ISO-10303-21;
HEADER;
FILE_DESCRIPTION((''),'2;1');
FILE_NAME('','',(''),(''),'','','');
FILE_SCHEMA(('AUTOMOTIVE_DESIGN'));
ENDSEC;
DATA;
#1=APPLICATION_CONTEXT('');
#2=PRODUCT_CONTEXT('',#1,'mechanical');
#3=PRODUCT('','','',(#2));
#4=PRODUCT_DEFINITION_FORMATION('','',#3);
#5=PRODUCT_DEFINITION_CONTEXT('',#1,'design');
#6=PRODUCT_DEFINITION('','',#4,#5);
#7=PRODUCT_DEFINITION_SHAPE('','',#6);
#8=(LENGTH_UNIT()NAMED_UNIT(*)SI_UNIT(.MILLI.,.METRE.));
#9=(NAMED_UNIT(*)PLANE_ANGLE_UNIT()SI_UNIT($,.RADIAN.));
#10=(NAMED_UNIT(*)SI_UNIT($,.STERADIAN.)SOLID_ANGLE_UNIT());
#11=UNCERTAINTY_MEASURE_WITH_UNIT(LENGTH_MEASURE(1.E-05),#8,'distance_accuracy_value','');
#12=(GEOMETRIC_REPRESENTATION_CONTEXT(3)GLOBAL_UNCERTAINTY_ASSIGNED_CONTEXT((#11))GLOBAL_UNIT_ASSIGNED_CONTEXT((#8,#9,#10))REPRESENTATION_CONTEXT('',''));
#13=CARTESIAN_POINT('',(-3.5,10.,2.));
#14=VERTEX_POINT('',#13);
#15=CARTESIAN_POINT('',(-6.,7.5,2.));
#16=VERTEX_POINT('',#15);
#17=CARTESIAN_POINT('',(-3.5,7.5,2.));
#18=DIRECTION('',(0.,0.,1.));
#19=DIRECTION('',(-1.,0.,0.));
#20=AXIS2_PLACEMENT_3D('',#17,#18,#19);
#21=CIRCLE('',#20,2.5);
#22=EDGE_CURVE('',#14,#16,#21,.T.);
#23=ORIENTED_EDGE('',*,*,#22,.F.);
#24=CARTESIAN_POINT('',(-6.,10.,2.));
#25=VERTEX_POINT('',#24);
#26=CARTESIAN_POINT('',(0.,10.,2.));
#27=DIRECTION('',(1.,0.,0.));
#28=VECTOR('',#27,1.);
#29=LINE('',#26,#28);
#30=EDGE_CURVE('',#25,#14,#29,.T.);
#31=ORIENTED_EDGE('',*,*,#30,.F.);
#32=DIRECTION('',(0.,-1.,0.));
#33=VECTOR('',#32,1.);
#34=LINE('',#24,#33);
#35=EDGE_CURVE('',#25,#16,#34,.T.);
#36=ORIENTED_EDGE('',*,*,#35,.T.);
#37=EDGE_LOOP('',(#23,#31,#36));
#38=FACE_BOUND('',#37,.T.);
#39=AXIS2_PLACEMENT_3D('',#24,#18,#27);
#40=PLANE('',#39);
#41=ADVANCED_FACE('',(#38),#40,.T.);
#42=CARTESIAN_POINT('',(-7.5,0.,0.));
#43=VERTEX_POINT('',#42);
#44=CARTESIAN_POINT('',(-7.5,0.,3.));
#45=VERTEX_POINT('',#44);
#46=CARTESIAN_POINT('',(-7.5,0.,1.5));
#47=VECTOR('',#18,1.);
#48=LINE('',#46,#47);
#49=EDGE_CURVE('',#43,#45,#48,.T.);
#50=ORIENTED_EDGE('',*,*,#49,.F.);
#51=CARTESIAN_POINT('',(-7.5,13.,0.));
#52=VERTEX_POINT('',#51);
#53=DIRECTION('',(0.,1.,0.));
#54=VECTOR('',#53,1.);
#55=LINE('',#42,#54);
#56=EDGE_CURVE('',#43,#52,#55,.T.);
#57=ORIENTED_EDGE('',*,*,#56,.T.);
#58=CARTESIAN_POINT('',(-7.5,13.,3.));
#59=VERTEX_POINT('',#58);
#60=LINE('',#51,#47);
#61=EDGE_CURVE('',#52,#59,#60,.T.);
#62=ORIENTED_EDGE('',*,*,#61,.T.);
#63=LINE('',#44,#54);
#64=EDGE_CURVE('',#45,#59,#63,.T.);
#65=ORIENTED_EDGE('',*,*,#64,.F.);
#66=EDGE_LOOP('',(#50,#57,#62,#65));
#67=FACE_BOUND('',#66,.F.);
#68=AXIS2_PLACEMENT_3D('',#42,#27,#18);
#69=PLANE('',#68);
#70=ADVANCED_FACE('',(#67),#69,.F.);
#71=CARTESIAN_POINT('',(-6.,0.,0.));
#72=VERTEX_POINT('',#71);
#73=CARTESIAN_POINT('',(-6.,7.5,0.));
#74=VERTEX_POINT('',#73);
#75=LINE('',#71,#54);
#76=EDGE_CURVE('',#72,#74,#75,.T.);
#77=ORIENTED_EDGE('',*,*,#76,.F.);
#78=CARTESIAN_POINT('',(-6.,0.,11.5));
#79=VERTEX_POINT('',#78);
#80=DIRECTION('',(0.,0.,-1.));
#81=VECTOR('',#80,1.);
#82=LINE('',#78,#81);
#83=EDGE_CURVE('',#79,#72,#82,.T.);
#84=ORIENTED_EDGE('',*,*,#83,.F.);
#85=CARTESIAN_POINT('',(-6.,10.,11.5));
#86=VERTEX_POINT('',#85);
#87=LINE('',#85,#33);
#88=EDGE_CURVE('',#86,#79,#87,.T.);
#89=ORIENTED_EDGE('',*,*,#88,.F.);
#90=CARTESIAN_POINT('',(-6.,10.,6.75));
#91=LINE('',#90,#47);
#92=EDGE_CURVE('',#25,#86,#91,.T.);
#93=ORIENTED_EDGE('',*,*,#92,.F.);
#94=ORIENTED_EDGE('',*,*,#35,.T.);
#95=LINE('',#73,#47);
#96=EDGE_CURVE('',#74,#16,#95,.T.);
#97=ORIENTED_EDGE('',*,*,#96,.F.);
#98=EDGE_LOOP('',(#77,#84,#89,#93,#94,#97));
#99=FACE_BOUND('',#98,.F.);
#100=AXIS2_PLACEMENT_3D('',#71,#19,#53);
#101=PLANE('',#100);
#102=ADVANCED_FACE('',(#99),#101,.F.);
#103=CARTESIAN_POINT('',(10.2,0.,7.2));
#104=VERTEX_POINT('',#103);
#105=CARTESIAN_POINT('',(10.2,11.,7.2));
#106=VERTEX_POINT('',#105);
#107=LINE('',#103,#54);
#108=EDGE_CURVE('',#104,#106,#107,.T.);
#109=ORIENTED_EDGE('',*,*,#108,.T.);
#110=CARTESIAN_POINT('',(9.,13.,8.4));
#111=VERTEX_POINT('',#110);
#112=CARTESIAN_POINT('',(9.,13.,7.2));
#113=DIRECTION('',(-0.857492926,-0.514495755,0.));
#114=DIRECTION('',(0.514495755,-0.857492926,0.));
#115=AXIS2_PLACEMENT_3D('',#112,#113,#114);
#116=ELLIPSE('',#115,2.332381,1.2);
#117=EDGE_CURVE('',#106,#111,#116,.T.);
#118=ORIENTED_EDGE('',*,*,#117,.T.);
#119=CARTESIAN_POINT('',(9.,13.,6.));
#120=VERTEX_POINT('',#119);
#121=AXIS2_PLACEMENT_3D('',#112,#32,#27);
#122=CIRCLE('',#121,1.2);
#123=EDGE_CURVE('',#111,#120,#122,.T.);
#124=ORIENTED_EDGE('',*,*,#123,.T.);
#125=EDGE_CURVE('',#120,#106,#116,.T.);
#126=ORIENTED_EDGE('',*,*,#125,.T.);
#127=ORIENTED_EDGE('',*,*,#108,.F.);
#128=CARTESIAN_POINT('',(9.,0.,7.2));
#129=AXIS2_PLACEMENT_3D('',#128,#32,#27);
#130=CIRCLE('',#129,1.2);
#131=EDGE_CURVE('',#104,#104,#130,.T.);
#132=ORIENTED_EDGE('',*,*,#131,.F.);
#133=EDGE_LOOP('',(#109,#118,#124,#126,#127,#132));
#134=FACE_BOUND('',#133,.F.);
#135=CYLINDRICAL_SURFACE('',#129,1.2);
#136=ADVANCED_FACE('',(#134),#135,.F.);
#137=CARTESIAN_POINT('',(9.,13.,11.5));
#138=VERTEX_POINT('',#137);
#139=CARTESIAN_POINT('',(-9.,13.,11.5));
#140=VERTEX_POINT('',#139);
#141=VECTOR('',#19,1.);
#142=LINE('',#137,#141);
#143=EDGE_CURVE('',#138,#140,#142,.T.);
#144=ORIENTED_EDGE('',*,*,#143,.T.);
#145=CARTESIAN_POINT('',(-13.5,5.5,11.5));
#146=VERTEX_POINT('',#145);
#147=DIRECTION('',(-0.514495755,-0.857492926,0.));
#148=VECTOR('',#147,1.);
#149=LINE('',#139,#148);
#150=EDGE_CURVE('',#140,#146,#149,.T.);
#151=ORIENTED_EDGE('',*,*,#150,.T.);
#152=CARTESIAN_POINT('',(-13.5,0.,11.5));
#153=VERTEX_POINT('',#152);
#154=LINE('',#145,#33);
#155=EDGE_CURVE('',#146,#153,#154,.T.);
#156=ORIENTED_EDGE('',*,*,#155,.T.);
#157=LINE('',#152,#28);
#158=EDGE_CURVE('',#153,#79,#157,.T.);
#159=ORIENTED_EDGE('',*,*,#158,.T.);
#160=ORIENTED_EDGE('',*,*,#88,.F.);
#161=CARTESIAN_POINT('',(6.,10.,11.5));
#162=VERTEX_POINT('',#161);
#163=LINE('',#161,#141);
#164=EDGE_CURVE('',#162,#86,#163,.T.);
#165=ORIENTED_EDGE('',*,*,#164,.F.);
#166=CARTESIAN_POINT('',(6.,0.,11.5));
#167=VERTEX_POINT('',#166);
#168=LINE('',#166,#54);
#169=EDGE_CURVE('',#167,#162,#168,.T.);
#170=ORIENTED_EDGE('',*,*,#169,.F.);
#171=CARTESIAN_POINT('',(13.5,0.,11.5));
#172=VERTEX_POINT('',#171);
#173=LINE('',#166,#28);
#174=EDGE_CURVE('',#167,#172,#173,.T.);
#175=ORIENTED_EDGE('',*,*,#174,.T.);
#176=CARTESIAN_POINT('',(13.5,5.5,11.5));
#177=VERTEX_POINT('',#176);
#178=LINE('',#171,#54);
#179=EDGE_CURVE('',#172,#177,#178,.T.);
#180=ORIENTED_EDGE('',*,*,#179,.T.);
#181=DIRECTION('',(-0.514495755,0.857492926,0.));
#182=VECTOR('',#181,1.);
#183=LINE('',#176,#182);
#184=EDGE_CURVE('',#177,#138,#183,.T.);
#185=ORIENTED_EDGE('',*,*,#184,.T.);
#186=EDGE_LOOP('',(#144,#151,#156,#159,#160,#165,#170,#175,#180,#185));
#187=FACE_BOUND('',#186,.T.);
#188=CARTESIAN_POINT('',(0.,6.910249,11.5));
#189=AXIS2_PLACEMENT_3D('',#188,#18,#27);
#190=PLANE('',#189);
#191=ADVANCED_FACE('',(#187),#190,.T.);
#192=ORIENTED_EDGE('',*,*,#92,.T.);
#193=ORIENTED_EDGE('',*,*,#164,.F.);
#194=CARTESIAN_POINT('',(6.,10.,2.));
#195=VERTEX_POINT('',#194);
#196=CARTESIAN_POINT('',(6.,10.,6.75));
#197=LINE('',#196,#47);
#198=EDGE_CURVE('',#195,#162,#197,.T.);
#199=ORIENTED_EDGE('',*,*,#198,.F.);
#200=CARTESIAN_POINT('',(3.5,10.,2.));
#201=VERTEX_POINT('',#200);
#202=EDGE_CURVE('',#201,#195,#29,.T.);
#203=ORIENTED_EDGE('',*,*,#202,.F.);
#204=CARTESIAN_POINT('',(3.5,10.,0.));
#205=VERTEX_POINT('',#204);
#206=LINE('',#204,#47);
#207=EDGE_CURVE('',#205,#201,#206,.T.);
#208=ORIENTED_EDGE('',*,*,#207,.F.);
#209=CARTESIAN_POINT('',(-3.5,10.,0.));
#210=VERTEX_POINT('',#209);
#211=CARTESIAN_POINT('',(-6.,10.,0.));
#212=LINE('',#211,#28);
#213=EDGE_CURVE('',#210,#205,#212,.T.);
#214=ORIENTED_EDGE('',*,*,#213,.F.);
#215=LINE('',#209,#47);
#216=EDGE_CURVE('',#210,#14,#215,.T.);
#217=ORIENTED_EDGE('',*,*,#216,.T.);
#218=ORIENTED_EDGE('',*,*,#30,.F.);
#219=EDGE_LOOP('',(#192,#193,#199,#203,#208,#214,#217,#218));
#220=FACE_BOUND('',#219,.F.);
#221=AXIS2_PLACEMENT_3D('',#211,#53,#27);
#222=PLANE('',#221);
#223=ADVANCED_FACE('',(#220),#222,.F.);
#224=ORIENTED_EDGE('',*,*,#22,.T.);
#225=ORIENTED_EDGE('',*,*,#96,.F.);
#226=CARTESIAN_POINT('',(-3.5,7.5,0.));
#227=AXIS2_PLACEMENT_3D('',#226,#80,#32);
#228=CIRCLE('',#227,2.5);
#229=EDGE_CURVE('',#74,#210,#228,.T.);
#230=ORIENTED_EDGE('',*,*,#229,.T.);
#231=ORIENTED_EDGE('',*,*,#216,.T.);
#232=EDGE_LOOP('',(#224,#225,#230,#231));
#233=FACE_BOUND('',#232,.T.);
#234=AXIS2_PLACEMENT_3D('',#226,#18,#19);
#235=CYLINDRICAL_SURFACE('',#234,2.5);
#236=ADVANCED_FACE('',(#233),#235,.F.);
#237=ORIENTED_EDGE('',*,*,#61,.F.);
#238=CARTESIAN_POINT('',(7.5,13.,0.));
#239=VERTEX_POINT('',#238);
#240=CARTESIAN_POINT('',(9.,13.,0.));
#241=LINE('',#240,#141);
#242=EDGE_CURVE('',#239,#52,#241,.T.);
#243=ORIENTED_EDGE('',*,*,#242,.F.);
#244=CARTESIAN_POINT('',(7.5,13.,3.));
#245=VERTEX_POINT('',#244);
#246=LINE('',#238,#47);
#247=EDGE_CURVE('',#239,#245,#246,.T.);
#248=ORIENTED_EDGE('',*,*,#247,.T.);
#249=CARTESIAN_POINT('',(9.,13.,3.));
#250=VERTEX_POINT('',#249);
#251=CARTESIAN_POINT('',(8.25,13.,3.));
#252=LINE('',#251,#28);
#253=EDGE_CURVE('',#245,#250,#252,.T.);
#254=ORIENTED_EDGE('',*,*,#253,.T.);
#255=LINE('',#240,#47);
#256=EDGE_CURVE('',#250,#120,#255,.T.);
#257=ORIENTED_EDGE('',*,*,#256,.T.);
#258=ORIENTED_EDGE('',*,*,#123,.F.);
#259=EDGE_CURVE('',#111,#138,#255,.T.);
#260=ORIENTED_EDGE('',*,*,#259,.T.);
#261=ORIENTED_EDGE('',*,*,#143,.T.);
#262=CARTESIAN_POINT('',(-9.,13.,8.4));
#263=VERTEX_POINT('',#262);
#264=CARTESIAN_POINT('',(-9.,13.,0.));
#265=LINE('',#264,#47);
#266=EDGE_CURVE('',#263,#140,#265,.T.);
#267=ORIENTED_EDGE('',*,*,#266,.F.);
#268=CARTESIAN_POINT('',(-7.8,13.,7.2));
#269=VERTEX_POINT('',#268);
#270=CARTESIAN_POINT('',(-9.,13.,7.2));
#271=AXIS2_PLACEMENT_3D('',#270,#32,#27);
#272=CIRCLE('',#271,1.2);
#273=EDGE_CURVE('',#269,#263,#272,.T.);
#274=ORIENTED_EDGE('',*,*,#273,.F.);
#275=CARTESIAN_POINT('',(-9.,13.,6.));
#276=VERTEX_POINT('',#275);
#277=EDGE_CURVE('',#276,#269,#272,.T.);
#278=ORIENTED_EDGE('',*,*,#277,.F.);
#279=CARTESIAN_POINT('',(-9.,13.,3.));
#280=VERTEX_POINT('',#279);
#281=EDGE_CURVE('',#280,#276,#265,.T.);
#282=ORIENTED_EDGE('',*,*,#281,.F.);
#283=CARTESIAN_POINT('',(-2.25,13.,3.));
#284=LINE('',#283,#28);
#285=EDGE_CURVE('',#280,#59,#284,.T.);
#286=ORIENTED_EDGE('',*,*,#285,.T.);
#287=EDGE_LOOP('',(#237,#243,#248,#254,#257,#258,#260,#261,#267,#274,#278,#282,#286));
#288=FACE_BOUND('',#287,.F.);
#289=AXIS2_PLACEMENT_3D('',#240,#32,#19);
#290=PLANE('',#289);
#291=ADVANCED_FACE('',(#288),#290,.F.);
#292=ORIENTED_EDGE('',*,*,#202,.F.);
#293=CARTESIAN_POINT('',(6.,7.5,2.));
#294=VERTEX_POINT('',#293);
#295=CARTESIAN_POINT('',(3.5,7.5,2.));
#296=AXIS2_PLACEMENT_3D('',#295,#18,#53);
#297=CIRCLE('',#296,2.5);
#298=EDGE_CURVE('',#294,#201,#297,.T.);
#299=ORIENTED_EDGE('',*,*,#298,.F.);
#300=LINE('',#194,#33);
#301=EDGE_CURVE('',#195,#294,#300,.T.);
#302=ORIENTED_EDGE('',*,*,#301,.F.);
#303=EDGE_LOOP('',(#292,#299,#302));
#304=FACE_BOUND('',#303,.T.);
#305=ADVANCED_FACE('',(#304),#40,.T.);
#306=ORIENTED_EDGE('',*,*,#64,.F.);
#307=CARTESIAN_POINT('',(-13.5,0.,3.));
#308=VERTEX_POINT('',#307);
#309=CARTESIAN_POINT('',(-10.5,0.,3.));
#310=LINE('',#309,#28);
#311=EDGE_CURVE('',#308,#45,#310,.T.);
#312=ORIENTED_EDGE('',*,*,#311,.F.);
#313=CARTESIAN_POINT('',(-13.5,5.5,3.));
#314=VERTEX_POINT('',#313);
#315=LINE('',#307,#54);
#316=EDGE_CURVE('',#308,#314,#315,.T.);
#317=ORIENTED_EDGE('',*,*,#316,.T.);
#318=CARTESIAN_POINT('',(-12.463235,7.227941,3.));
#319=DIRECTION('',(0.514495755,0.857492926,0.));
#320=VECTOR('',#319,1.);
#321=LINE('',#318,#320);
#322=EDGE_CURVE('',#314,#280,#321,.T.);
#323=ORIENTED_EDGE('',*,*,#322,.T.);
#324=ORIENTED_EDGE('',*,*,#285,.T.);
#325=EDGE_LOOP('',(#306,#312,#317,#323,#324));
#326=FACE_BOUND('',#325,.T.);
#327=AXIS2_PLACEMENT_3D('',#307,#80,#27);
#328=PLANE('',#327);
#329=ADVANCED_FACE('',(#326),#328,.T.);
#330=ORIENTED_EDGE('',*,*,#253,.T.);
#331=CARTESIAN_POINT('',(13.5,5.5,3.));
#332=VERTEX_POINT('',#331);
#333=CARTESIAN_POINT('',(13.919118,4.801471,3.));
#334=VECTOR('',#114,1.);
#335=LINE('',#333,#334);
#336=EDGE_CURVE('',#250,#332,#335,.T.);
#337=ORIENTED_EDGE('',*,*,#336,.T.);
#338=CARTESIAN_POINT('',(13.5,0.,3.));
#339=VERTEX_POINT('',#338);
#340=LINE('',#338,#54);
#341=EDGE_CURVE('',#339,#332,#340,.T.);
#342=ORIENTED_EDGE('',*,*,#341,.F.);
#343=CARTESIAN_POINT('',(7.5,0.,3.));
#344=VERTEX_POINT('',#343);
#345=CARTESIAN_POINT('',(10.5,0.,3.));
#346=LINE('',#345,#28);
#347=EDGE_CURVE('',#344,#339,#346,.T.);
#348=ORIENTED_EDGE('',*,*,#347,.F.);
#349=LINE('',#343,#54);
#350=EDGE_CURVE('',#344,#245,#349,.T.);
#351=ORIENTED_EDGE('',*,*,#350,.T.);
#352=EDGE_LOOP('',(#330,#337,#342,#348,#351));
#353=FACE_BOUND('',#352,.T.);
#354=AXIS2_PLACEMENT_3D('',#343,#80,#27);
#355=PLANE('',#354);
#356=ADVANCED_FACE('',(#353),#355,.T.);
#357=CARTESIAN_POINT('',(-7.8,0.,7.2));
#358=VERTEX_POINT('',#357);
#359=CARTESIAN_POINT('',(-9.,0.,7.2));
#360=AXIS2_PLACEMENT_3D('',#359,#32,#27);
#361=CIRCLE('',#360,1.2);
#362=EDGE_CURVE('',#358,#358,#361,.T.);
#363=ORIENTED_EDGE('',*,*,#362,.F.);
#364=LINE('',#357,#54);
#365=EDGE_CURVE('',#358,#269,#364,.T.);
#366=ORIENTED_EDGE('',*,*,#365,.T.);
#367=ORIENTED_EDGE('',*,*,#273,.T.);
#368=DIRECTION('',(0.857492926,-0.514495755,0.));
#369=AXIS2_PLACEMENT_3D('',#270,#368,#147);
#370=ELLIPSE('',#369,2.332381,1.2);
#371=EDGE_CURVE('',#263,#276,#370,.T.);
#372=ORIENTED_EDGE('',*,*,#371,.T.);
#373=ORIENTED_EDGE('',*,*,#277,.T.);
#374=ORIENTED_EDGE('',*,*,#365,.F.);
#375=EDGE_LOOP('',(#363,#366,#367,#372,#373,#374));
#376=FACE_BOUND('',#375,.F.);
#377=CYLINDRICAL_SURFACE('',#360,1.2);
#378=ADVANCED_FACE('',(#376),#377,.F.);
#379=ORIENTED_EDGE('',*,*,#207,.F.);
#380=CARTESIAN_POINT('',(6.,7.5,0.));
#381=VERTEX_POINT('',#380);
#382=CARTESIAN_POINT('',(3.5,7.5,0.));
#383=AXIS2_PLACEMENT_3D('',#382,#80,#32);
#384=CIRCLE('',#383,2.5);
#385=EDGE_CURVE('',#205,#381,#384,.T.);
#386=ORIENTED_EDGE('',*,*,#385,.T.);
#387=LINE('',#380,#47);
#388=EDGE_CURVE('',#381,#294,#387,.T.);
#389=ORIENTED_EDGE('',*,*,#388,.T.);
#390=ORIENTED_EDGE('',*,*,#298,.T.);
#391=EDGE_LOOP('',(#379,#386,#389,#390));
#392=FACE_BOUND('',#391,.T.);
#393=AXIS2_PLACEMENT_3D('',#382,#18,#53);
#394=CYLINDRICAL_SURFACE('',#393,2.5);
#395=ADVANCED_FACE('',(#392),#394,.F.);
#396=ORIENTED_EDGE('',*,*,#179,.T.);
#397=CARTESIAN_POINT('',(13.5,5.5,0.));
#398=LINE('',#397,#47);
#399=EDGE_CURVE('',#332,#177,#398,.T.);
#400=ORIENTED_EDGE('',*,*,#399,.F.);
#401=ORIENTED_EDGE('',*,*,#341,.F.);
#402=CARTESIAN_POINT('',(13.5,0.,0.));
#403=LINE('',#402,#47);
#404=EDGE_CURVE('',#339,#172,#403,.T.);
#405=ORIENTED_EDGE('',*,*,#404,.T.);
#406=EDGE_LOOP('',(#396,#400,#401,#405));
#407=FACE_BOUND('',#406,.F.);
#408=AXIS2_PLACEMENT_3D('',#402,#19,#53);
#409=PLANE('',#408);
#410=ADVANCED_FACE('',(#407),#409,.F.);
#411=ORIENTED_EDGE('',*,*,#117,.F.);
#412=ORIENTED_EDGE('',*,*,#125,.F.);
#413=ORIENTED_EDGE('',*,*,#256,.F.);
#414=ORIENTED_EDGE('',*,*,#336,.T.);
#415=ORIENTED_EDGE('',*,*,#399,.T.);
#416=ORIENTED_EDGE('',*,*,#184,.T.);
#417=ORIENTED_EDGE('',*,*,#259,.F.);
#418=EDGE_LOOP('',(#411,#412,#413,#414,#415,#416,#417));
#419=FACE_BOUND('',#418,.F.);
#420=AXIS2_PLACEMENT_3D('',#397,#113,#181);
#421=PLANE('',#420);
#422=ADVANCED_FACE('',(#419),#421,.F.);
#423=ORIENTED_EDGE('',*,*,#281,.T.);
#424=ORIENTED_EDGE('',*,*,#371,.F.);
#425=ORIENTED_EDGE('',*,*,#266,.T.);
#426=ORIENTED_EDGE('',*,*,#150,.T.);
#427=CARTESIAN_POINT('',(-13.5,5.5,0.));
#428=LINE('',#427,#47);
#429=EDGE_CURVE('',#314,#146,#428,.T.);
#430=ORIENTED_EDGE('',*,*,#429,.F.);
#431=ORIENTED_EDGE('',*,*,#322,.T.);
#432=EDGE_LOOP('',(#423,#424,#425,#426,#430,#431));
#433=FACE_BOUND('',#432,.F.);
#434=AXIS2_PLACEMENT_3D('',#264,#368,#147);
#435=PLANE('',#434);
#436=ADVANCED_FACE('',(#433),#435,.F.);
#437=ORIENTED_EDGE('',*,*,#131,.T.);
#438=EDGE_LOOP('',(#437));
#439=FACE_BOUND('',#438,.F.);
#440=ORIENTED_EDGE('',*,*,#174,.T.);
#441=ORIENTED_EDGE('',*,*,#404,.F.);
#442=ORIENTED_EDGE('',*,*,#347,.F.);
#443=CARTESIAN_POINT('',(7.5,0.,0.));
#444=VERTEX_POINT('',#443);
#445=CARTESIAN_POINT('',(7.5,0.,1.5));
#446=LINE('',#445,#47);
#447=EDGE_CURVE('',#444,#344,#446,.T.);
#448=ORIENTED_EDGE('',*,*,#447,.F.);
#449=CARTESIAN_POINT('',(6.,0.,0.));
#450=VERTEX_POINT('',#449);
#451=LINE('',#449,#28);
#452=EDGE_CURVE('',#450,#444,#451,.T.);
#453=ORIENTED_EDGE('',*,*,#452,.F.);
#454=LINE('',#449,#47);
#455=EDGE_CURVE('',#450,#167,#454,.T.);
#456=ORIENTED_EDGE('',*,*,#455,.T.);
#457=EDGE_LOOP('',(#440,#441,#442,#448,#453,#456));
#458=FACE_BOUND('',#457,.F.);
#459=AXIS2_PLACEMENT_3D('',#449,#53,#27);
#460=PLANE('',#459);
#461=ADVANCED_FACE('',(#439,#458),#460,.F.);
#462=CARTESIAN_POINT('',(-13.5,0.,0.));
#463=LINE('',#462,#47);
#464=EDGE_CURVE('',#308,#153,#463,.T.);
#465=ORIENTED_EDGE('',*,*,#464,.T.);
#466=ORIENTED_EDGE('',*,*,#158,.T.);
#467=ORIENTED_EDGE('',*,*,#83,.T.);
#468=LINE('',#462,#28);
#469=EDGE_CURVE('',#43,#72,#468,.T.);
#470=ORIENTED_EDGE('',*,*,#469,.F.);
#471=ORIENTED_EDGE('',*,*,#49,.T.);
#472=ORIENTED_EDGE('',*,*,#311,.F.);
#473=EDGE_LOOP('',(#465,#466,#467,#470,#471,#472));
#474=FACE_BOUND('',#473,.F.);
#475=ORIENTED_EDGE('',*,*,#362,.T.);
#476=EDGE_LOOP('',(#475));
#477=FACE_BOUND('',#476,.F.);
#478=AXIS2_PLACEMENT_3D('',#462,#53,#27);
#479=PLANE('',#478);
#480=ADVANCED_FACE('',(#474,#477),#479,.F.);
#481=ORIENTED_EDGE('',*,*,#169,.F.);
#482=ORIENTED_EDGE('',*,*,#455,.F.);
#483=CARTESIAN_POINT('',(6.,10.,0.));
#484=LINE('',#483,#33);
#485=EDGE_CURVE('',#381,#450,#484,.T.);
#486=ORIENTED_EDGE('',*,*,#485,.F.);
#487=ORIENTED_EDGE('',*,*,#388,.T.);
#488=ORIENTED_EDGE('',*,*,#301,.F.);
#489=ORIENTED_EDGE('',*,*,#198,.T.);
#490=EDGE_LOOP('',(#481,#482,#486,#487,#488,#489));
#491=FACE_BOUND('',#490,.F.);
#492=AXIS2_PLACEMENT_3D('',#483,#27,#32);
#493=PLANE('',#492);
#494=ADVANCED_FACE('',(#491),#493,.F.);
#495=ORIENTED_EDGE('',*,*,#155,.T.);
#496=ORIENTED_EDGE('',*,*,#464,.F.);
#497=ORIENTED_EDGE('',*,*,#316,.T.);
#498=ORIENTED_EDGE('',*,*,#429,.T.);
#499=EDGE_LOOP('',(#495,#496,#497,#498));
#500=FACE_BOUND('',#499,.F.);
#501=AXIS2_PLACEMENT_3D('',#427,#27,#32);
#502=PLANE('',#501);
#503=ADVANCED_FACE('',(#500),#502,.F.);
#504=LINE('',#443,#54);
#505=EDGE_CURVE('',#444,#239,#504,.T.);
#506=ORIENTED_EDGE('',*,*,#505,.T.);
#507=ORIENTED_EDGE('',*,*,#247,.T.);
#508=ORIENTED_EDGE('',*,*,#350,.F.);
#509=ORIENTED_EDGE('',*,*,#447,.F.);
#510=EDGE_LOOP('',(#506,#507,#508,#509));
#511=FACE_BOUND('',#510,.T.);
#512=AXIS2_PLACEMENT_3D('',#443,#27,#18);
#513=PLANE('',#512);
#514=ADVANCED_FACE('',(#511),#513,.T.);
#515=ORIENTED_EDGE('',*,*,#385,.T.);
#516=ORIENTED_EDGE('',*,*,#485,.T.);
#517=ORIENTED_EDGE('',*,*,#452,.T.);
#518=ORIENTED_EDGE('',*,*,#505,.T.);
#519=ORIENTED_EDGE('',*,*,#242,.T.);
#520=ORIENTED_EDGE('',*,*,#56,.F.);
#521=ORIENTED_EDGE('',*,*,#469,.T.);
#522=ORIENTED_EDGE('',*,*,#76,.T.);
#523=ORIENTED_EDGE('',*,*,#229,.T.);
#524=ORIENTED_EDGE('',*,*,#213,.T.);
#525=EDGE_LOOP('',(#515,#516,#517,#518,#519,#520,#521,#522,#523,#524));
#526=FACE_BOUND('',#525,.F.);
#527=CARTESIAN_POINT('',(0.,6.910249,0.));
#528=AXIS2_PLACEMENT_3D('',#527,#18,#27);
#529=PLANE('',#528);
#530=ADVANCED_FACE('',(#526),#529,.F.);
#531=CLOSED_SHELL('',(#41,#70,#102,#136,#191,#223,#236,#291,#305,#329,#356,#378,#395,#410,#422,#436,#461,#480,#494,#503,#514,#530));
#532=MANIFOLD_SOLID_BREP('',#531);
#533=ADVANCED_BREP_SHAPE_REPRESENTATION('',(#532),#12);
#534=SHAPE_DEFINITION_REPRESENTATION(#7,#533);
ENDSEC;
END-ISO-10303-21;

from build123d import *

# Parameters (mm, degrees)
F1_DEPTH = 11.5
F2_R     = 1.2
F3_DEPTH = 25
F4_R     = 2.5
F5_W     = 12
F5_H     = 9.5
F6_DEPTH = 10.001
F7_W     = 6
F7_H     = 3
F8_DEPTH = 13.001


with BuildPart() as f1:
    # F0 (on Top) → F1 (new body)
    with BuildSketch(Plane.XY):
        Polygon((-13.5, 5.5), (-13.5, 0), (-6, 0), (-6, 10), (6, 10), (6, 0), (13.5, 0), (13.5, 5.5), (9, 13), (-9, 13), align=None)
    extrude(amount=F1_DEPTH)

    # F2 (on face) → F3 (cut)
    with BuildSketch(Plane.XZ):
        with Locations((-9, 7.2)):
            Circle(F2_R)
        with Locations((9, 7.2)):
            Circle(F2_R)
    extrude(amount=-F3_DEPTH, mode=Mode.SUBTRACT)

    # F4
    f4_edges = [f1.edges().sort_by_distance(p)[0] for p in [
        (-6, 10, 5.75),
        (6, 10, 5.75),
    ]]
    fillet(f4_edges, radius=F4_R)

    # F5 (on face) → F6 (cut, through all)
    with BuildSketch(Plane.XZ.offset(-10)):
        with Locations((0, 6.75)):
            Rectangle(F5_W, F5_H)
    extrude(amount=F6_DEPTH, mode=Mode.SUBTRACT)

    # F7 (on face) → F8 (cut, through all)
    with BuildSketch(Plane.XZ):
        with Locations((-10.5, 1.5)):
            Rectangle(F7_W, F7_H)
        with Locations((10.5, 1.5)):
            Rectangle(F7_W, F7_H)
    extrude(amount=-F8_DEPTH, mode=Mode.SUBTRACT)


solid = f1.part
